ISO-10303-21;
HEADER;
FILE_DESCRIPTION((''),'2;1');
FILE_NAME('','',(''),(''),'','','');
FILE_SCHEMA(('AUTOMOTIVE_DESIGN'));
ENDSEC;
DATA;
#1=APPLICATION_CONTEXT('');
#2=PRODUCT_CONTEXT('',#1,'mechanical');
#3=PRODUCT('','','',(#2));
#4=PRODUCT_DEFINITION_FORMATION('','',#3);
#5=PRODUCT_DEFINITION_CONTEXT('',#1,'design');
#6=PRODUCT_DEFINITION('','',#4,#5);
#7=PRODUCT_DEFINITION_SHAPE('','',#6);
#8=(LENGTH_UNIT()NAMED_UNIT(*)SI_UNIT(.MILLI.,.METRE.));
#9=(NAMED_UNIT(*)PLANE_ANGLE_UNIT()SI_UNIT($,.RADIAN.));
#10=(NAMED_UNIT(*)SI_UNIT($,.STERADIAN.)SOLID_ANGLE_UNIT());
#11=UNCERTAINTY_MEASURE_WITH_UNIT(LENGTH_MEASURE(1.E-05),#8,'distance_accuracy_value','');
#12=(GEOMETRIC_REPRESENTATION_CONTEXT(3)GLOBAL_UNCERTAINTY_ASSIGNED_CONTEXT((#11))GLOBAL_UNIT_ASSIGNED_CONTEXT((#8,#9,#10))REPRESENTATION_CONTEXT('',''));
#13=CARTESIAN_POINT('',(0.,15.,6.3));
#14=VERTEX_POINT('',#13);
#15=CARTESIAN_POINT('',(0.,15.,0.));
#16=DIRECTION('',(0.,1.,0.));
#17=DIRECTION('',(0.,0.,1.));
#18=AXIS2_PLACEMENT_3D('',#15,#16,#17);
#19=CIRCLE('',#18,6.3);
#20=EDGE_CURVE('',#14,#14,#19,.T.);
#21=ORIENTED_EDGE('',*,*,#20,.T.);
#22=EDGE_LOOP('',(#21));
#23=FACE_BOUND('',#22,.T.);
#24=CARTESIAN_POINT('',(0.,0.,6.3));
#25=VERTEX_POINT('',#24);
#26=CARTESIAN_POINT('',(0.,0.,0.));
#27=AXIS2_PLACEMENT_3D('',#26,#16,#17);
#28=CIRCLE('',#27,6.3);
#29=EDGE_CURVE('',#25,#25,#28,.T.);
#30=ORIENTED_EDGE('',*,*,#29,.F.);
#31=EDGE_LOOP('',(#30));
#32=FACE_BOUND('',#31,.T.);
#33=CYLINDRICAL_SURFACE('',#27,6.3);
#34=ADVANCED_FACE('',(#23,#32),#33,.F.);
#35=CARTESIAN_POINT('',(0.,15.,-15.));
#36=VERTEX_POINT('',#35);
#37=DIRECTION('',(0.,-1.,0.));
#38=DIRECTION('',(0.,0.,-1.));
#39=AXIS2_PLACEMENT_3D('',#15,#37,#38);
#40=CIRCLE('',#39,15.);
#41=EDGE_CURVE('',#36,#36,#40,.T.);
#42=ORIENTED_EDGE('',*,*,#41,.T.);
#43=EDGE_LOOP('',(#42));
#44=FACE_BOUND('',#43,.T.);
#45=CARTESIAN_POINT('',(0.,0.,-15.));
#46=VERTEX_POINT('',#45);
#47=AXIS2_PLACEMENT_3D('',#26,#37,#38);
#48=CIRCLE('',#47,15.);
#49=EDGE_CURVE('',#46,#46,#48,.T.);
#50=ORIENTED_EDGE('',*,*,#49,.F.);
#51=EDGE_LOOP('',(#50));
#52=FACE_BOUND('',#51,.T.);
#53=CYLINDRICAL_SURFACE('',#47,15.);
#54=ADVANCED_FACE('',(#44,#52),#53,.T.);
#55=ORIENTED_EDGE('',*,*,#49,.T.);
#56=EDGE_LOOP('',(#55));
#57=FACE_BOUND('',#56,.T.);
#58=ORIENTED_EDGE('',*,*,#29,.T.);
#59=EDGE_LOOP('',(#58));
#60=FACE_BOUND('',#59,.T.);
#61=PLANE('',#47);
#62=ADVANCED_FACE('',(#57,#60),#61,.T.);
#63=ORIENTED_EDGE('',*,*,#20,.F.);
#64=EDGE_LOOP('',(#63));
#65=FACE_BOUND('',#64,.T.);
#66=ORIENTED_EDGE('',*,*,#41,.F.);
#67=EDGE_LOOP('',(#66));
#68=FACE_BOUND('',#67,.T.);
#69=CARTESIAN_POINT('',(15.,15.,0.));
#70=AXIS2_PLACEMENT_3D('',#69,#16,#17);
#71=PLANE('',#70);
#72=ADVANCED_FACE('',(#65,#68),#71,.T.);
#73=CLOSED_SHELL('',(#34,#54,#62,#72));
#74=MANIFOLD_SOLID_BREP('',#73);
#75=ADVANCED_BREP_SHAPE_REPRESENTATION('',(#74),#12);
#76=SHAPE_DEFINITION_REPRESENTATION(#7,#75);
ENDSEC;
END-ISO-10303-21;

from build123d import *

# Parameters (mm, degrees)
SKETCH_1_W          = 15
SKETCH_1_H          = 15
SKETCH_2_R          = 6.3
SHAFT_PASSAGE_DEPTH = 26.980762114


with BuildPart() as part:
    # 草图1 → Drive_mount_spacer (revolve)
    with BuildSketch(Plane.XY, mode=Mode.PRIVATE) as drive_mount_spacer_sk:
        with Locations((7.5, 7.5)):
            Rectangle(SKETCH_1_W, SKETCH_1_H)
    revolve(drive_mount_spacer_sk.sketch.rotate(Axis((0, 0, 0), (0, 1, 0)), 90), axis=Axis((0, 0, 0), (0, 1, 0)))

    # 草图2 → Shaft_passage (cut, through all)
    with BuildSketch(Plane(origin=(0, 15, 0), x_dir=(1, 0, 0), z_dir=(0, 1, 0))):
        with Locations(Location((0, 0, 0), (0, 0, 270))):
            Circle(SKETCH_2_R)
    extrude(amount=-SHAFT_PASSAGE_DEPTH, mode=Mode.SUBTRACT)


solid = part.part
